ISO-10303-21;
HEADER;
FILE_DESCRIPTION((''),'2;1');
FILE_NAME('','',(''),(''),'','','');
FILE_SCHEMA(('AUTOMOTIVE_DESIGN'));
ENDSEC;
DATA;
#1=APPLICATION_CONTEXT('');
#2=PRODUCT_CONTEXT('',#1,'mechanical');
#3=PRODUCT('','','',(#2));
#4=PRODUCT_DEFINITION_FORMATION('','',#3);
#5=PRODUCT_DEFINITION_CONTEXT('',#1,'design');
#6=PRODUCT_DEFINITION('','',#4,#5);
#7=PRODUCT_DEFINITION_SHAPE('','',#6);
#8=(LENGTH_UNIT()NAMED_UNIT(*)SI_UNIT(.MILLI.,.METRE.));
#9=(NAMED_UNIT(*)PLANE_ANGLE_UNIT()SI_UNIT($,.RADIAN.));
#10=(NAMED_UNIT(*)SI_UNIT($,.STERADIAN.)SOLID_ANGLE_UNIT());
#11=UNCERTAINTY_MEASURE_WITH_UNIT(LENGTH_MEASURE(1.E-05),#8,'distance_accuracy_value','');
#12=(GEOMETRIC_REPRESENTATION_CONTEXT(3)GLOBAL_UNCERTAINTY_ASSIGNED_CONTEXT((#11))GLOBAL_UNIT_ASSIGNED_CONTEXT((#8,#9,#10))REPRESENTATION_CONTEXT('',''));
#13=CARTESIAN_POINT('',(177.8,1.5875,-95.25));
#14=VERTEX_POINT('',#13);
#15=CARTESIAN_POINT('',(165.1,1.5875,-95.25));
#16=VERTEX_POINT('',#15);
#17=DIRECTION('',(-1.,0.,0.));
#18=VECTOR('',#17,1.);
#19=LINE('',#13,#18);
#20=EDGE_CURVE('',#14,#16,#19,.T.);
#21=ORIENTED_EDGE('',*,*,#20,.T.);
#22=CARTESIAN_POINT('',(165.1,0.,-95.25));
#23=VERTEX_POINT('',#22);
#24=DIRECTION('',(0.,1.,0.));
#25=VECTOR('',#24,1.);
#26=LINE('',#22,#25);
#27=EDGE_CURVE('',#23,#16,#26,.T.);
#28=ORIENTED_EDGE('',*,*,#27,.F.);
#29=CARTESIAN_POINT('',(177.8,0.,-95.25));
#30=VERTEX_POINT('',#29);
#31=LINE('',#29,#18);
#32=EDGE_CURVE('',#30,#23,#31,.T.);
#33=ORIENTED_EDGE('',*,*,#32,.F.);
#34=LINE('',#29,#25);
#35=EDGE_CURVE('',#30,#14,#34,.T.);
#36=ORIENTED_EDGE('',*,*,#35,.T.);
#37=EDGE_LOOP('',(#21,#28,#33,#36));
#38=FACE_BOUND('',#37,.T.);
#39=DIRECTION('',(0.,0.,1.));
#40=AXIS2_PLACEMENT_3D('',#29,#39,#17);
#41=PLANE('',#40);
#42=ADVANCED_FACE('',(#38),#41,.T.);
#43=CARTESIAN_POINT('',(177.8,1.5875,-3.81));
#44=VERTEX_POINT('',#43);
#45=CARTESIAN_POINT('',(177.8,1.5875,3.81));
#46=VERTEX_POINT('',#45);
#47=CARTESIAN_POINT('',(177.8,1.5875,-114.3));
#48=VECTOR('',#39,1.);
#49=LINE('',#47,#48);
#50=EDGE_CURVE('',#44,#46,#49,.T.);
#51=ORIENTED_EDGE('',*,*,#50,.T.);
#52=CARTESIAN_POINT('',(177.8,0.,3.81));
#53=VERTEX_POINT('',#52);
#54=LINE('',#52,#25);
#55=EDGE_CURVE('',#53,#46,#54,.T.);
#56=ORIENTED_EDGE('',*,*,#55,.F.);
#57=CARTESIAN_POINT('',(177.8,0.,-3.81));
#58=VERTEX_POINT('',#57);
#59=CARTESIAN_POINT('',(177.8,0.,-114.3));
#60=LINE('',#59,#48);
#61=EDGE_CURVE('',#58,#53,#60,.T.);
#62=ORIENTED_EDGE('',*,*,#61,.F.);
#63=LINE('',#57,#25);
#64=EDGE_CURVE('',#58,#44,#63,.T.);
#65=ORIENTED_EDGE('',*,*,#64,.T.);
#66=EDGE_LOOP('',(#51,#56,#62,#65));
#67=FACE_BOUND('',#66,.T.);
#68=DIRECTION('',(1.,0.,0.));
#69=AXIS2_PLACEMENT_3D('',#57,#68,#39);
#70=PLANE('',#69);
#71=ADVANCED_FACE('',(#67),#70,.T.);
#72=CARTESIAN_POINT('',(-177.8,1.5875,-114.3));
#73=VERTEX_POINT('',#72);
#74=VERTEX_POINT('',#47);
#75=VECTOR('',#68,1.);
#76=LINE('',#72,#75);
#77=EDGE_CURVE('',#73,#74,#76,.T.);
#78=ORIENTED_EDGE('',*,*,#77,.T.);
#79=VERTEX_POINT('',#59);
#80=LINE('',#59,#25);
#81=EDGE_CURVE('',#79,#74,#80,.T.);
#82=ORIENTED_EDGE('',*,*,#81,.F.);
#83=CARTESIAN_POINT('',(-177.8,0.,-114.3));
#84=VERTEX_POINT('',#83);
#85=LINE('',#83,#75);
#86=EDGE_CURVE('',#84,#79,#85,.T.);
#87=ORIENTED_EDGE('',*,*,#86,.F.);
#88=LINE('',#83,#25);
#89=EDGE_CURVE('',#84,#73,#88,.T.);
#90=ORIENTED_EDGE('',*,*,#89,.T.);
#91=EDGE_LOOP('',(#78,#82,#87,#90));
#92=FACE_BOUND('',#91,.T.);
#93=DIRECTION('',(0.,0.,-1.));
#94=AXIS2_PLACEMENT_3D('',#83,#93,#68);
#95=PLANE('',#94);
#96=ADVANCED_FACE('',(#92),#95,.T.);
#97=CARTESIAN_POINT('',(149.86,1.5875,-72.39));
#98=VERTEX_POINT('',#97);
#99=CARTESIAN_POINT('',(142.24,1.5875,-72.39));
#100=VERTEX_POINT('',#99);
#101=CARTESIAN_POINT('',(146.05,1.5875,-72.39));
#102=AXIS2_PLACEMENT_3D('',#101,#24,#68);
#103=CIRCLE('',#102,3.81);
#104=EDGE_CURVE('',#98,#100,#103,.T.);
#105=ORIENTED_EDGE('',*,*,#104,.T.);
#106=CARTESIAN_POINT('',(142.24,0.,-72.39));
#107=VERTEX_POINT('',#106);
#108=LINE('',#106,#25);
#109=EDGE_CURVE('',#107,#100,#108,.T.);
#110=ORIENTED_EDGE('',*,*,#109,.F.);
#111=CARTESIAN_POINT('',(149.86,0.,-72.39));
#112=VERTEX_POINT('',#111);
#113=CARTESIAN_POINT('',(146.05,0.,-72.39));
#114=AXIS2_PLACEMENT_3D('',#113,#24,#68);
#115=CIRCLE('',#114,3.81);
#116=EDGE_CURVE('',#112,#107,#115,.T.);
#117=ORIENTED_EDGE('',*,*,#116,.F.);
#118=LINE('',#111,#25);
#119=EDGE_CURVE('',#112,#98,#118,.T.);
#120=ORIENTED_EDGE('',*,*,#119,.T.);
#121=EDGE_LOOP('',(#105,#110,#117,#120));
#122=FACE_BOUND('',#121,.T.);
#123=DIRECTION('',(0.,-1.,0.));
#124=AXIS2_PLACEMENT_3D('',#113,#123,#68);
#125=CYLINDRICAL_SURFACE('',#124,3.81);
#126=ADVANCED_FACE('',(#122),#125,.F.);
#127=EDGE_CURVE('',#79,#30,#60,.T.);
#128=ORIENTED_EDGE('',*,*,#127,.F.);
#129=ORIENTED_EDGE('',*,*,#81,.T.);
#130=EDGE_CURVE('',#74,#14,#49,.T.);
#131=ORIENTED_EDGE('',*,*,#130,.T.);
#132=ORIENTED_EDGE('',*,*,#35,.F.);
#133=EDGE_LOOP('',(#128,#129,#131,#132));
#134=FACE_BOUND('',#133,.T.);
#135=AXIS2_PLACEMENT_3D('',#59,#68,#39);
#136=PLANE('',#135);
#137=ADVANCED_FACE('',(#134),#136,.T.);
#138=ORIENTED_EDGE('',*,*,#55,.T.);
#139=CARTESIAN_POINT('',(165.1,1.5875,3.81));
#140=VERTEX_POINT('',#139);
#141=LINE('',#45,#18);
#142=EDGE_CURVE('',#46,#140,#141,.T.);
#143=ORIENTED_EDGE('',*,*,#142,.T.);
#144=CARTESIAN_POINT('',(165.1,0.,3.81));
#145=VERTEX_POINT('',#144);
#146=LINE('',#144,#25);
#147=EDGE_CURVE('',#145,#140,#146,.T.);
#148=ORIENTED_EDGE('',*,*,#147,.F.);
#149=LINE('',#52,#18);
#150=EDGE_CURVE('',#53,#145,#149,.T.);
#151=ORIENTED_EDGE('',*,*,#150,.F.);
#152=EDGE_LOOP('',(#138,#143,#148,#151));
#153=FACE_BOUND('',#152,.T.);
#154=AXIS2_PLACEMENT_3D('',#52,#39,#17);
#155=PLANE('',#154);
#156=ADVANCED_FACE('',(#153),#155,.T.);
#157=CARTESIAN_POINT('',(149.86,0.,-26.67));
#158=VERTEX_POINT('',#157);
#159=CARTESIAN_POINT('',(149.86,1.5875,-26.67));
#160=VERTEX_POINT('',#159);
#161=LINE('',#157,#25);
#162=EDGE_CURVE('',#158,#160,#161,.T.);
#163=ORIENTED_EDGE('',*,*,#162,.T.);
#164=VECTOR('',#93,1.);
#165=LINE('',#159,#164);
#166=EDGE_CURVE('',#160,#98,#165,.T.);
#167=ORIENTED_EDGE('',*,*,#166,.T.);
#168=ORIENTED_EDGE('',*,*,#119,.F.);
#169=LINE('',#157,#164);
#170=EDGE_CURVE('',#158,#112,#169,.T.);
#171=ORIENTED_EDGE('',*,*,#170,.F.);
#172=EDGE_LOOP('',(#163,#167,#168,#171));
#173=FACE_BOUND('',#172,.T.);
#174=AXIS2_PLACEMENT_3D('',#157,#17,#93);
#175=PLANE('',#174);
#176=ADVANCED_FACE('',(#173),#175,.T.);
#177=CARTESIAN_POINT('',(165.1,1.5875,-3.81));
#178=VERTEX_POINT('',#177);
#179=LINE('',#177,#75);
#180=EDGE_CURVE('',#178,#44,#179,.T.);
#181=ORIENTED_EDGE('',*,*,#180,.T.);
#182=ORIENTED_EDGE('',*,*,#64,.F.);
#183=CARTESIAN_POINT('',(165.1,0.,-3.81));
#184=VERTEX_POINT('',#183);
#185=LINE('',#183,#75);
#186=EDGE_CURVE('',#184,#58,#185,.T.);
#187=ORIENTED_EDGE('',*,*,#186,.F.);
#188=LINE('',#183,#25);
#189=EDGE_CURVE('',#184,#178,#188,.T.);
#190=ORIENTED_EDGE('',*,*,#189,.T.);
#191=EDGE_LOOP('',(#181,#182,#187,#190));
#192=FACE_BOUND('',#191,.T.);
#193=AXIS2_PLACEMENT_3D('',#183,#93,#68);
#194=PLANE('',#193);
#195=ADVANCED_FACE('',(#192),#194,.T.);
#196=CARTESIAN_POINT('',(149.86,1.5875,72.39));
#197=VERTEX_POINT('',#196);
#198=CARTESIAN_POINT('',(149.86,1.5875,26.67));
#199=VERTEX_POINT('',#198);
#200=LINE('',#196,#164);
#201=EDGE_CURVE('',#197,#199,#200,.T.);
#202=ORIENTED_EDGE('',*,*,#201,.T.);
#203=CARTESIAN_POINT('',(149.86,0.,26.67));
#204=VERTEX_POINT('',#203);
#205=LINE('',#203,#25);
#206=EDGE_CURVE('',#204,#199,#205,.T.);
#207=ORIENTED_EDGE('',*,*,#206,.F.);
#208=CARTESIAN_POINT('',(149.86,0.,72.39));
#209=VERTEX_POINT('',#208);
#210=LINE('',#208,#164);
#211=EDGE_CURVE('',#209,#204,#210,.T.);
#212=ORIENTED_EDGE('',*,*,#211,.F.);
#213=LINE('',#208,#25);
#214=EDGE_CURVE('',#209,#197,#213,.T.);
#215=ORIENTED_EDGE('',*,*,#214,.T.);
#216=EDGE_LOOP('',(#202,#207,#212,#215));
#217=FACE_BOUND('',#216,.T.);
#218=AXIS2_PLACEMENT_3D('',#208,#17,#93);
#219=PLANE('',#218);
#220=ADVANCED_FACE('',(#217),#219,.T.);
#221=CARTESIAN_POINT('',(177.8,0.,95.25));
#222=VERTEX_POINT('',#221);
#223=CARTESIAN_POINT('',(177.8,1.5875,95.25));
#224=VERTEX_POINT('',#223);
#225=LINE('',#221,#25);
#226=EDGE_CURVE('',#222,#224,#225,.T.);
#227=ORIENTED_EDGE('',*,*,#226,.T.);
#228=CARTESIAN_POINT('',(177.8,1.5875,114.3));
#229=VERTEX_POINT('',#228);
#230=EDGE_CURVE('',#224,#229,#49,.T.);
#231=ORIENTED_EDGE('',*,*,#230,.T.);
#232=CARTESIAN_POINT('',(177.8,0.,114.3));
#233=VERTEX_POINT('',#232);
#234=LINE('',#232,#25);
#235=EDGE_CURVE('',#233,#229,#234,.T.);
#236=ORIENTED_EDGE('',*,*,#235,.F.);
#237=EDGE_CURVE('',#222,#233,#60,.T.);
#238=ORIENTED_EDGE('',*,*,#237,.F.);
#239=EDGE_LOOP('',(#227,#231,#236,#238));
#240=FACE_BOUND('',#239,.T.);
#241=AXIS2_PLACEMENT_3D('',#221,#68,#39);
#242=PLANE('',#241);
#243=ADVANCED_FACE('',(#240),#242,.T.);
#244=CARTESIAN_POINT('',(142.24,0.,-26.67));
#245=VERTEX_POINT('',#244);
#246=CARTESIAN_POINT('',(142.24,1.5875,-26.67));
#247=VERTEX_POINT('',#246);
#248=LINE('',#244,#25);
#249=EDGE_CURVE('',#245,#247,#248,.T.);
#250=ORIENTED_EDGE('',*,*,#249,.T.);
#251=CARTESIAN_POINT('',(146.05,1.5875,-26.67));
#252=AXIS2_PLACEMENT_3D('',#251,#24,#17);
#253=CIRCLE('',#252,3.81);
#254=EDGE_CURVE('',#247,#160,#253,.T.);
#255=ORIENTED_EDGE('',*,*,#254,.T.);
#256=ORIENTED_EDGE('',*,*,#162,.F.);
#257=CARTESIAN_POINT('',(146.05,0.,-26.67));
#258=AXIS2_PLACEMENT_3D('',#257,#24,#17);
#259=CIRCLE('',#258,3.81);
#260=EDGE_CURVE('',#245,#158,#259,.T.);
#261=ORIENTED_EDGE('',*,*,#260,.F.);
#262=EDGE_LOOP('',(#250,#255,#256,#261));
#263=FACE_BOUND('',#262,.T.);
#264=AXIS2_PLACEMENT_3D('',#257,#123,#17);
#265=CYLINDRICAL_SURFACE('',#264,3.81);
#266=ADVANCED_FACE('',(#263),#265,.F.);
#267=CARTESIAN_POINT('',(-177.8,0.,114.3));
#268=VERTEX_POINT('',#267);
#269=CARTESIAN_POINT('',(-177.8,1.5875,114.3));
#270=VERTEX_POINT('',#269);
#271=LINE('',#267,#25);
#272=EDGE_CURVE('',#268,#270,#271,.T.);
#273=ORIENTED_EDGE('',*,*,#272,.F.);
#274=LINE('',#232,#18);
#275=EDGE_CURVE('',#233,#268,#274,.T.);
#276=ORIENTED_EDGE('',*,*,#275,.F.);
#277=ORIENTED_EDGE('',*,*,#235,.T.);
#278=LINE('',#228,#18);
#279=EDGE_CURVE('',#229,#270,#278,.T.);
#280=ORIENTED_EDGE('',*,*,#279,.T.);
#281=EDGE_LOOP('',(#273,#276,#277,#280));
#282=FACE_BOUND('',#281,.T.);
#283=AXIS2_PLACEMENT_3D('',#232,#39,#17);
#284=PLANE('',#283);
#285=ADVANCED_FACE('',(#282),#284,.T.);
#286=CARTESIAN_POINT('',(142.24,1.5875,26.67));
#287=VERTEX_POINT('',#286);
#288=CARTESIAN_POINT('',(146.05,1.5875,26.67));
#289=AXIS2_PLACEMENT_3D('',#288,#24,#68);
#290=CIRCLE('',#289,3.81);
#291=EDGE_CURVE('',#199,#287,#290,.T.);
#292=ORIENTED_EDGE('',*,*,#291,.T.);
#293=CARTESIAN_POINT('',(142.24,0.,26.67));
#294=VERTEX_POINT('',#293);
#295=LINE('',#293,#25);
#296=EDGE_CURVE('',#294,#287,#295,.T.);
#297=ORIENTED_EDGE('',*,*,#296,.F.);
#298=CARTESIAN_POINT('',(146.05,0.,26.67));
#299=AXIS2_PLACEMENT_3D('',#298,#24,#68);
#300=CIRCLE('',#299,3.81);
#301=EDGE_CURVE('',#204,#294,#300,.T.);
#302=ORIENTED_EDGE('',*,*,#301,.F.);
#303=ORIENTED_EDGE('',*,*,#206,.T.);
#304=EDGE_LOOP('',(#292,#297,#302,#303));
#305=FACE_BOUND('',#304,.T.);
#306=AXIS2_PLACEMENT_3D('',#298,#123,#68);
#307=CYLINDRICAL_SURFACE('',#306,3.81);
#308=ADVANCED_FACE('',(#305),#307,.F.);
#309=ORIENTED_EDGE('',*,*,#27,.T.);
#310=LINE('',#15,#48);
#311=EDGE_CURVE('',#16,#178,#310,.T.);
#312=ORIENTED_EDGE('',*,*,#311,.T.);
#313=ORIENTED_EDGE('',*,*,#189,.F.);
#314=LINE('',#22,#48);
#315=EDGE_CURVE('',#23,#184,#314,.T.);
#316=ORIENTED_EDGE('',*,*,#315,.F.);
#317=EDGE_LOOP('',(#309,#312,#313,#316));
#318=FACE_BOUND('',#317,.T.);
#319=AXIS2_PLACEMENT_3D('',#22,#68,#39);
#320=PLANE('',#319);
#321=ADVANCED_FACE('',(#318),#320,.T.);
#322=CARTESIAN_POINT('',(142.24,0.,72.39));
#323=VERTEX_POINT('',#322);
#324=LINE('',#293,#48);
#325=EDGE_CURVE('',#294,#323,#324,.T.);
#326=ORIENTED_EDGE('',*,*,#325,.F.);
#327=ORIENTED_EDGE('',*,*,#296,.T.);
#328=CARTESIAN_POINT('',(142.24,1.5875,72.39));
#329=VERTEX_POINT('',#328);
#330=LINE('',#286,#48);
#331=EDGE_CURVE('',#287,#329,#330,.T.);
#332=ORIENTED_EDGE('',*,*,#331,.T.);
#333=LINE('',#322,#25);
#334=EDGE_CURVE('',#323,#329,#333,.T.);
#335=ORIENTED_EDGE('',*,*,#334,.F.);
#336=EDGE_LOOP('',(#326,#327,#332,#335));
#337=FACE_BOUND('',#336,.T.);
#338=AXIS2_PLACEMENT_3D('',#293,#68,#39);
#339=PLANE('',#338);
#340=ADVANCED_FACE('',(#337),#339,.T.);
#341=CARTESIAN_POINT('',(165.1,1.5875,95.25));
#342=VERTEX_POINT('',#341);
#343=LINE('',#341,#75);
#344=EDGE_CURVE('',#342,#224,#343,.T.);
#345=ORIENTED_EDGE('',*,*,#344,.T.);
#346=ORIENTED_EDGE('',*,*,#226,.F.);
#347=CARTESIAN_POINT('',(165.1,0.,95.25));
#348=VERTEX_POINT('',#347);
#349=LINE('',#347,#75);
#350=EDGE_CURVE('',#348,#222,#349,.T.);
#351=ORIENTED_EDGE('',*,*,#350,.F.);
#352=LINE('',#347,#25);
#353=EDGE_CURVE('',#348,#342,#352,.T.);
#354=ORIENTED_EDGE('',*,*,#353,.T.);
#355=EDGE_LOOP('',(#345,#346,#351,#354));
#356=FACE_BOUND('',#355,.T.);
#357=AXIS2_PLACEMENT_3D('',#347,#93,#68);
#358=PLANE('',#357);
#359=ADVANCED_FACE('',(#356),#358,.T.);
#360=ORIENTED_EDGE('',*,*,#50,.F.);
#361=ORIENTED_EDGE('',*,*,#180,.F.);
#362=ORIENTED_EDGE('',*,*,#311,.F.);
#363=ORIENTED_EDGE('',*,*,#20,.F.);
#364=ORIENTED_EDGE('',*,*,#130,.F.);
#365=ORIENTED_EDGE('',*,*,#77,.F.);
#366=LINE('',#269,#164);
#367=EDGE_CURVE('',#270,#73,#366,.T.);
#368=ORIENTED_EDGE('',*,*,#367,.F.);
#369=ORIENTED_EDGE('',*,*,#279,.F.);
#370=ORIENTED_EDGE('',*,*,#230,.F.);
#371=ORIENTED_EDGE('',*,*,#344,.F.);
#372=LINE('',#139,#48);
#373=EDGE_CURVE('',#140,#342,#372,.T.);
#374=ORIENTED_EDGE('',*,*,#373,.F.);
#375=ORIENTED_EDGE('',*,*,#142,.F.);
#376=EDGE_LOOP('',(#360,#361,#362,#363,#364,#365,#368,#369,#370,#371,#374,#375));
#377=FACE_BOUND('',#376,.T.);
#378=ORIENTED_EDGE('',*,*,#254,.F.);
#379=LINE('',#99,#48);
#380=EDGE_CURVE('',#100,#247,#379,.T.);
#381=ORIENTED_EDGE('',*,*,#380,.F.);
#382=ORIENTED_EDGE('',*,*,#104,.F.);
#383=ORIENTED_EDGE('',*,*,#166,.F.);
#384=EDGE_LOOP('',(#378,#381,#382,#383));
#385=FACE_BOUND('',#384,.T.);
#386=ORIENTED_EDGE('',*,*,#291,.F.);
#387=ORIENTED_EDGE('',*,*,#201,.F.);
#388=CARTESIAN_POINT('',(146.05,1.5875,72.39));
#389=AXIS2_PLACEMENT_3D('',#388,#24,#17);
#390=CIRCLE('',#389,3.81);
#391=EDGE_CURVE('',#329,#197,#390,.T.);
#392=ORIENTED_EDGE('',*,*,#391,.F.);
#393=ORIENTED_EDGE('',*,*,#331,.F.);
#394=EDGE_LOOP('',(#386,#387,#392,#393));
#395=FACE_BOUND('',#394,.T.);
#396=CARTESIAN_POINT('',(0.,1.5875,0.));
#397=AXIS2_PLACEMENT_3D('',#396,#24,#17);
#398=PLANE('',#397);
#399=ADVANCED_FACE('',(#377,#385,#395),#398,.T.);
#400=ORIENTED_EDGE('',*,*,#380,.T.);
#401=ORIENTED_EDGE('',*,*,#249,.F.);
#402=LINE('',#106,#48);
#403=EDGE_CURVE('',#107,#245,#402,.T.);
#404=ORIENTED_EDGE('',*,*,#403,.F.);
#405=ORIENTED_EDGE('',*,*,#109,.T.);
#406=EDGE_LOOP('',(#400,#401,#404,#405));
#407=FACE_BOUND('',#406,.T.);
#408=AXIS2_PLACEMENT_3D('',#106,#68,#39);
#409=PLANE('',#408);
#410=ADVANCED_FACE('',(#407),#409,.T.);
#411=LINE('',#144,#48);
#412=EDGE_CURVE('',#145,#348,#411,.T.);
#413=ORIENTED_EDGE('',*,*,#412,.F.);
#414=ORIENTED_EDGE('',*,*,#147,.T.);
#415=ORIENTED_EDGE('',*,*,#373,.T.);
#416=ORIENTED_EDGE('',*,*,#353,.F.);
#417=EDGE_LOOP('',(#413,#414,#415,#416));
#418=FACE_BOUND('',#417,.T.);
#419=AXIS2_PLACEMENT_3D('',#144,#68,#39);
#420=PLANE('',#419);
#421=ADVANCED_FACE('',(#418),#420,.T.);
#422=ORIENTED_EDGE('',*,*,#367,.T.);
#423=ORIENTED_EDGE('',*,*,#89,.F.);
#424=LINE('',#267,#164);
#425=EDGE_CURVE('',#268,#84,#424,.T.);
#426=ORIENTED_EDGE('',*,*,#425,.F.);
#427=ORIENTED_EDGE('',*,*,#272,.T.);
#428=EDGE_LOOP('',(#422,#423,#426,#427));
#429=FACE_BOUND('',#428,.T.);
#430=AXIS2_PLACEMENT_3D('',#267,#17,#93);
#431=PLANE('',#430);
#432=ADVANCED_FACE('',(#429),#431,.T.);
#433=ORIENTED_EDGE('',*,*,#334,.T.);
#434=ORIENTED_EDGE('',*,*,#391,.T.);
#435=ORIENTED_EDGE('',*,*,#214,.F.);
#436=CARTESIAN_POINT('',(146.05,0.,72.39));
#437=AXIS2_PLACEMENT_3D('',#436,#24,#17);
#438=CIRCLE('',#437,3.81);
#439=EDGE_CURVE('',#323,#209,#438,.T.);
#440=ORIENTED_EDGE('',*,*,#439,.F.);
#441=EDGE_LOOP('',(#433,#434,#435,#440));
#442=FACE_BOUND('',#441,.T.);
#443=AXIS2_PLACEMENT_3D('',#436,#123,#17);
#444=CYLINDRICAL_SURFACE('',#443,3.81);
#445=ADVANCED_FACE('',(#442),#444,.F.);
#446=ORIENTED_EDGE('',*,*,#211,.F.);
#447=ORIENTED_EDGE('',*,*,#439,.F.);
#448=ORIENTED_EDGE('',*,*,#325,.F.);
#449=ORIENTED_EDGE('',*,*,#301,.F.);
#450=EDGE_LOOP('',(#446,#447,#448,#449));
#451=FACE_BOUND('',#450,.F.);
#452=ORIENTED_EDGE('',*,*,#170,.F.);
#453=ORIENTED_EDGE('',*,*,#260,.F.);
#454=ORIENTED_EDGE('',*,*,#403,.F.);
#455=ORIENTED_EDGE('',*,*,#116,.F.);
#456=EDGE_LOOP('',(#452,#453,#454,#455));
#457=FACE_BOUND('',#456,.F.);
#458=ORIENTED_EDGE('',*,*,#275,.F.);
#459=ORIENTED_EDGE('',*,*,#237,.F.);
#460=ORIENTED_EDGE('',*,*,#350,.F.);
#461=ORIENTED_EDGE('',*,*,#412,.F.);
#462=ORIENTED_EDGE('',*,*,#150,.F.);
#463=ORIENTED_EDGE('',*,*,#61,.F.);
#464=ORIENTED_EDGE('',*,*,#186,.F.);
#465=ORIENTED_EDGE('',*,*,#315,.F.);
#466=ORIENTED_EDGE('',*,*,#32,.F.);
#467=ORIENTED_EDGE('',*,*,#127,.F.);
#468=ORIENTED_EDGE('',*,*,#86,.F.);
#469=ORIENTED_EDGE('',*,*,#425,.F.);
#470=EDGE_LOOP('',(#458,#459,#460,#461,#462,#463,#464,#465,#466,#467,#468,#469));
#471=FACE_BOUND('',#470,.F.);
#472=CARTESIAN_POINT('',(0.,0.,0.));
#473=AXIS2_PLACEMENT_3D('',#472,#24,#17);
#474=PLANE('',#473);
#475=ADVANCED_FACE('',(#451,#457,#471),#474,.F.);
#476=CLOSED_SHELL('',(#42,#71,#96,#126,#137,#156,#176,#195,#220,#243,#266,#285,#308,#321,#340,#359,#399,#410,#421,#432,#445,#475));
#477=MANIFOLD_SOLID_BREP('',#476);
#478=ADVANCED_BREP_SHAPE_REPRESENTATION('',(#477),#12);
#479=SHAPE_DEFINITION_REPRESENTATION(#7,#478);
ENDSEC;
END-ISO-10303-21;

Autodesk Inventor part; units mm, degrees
ref_plane "YZ Plane" through (0, 0, 0) normal (1, 0, 0) x (0, 1, 0)
ref_plane "XZ Plane" through (0, 0, 0) normal (0, 1, 0) x (-1, 0, 0)
ref_plane "XY Plane" through (0, 0, 0) normal (0, 0, 1) x (1, 0, 0)
sketch "Sketch1" plane through (0, 0, 0) normal (0, 1, 0) x (-1, 0, 0)
  line L0 (-177.8, 114.3) -> (177.8, 114.3)
  line L1 (177.8, 114.3) -> (177.8, -114.3)
  line L2 (177.8, -114.3) -> (-177.8, -114.3)
  line L3 (-177.8, -114.3) -> (-177.8, 114.3)
  line L4 (-177.8, 114.3) -> (177.8, -114.3) construction
  line L5 (177.8, 114.3) -> (-177.8, -114.3) construction
  line L6 (-165.1, 95.25) -> (-177.8, 95.25)
  line L7 (-177.8, 95.25) -> (-177.8, 3.81)
  line L8 (-177.8, 3.81) -> (-165.1, 3.81)
  line L9 (-165.1, 3.81) -> (-165.1, 95.25)
  line L10 (-165.1, -3.81) -> (-177.8, -3.81)
  line L11 (-177.8, -3.81) -> (-177.8, -95.25)
  line L12 (-177.8, -95.25) -> (-165.1, -95.25)
  line L13 (-165.1, -95.25) -> (-165.1, -3.81)
  line L14 (-146.05, 72.39) -> (-146.05, 26.67) construction
  line L15 (-149.86, 72.39) -> (-149.86, 26.67)
  line L16 (-142.24, 26.67) -> (-142.24, 72.39)
  arc A0 (-142.24, 72.39) -> (-149.86, 72.39) centre (-146.05, 72.39) ccw
  arc A1 (-149.86, 26.67) -> (-142.24, 26.67) centre (-146.05, 26.67) ccw
  line L17 (-146.05, -26.67) -> (-146.05, -72.39) construction
  line L18 (-149.86, -26.67) -> (-149.86, -72.39)
  line L19 (-142.24, -72.39) -> (-142.24, -26.67)
  arc A2 (-142.24, -26.67) -> (-149.86, -26.67) centre (-146.05, -26.67) ccw
  arc A3 (-149.86, -72.39) -> (-142.24, -72.39) centre (-146.05, -72.39) ccw
  point P0 (0, 0)
  point P1 (-146.05, 49.53)
  point P2 (-146.05, -49.53)
  point P3 (-177.8, 3.81)
  dimension "d0" = 355.6
  dimension "d1" = 228.6
  dimension "d2" = 12.7
  dimension "d3" = 91.44
  dimension "d4" = 91.44
  dimension "d5" = 12.7
  dimension "d6" = 19.05
  dimension "d7" = 19.05
  dimension "d8" = 45.72
  dimension "d9" = 7.62
  dimension "d10" = 45.72
  dimension "d11" = 7.62
  dimension "d12" = 41.91
  dimension "d13" = 19.05
  dimension "d14" = 19.05
  dimension "d15" = 41.91
extrude "Extrusion1" add sketch "Sketch1" along normal blind 1.5875 contours L0 L1 L2 L3 L12 L13 L10 L8 L9 L6
properties part number "EBox Door" material "Aluminum 6061"
